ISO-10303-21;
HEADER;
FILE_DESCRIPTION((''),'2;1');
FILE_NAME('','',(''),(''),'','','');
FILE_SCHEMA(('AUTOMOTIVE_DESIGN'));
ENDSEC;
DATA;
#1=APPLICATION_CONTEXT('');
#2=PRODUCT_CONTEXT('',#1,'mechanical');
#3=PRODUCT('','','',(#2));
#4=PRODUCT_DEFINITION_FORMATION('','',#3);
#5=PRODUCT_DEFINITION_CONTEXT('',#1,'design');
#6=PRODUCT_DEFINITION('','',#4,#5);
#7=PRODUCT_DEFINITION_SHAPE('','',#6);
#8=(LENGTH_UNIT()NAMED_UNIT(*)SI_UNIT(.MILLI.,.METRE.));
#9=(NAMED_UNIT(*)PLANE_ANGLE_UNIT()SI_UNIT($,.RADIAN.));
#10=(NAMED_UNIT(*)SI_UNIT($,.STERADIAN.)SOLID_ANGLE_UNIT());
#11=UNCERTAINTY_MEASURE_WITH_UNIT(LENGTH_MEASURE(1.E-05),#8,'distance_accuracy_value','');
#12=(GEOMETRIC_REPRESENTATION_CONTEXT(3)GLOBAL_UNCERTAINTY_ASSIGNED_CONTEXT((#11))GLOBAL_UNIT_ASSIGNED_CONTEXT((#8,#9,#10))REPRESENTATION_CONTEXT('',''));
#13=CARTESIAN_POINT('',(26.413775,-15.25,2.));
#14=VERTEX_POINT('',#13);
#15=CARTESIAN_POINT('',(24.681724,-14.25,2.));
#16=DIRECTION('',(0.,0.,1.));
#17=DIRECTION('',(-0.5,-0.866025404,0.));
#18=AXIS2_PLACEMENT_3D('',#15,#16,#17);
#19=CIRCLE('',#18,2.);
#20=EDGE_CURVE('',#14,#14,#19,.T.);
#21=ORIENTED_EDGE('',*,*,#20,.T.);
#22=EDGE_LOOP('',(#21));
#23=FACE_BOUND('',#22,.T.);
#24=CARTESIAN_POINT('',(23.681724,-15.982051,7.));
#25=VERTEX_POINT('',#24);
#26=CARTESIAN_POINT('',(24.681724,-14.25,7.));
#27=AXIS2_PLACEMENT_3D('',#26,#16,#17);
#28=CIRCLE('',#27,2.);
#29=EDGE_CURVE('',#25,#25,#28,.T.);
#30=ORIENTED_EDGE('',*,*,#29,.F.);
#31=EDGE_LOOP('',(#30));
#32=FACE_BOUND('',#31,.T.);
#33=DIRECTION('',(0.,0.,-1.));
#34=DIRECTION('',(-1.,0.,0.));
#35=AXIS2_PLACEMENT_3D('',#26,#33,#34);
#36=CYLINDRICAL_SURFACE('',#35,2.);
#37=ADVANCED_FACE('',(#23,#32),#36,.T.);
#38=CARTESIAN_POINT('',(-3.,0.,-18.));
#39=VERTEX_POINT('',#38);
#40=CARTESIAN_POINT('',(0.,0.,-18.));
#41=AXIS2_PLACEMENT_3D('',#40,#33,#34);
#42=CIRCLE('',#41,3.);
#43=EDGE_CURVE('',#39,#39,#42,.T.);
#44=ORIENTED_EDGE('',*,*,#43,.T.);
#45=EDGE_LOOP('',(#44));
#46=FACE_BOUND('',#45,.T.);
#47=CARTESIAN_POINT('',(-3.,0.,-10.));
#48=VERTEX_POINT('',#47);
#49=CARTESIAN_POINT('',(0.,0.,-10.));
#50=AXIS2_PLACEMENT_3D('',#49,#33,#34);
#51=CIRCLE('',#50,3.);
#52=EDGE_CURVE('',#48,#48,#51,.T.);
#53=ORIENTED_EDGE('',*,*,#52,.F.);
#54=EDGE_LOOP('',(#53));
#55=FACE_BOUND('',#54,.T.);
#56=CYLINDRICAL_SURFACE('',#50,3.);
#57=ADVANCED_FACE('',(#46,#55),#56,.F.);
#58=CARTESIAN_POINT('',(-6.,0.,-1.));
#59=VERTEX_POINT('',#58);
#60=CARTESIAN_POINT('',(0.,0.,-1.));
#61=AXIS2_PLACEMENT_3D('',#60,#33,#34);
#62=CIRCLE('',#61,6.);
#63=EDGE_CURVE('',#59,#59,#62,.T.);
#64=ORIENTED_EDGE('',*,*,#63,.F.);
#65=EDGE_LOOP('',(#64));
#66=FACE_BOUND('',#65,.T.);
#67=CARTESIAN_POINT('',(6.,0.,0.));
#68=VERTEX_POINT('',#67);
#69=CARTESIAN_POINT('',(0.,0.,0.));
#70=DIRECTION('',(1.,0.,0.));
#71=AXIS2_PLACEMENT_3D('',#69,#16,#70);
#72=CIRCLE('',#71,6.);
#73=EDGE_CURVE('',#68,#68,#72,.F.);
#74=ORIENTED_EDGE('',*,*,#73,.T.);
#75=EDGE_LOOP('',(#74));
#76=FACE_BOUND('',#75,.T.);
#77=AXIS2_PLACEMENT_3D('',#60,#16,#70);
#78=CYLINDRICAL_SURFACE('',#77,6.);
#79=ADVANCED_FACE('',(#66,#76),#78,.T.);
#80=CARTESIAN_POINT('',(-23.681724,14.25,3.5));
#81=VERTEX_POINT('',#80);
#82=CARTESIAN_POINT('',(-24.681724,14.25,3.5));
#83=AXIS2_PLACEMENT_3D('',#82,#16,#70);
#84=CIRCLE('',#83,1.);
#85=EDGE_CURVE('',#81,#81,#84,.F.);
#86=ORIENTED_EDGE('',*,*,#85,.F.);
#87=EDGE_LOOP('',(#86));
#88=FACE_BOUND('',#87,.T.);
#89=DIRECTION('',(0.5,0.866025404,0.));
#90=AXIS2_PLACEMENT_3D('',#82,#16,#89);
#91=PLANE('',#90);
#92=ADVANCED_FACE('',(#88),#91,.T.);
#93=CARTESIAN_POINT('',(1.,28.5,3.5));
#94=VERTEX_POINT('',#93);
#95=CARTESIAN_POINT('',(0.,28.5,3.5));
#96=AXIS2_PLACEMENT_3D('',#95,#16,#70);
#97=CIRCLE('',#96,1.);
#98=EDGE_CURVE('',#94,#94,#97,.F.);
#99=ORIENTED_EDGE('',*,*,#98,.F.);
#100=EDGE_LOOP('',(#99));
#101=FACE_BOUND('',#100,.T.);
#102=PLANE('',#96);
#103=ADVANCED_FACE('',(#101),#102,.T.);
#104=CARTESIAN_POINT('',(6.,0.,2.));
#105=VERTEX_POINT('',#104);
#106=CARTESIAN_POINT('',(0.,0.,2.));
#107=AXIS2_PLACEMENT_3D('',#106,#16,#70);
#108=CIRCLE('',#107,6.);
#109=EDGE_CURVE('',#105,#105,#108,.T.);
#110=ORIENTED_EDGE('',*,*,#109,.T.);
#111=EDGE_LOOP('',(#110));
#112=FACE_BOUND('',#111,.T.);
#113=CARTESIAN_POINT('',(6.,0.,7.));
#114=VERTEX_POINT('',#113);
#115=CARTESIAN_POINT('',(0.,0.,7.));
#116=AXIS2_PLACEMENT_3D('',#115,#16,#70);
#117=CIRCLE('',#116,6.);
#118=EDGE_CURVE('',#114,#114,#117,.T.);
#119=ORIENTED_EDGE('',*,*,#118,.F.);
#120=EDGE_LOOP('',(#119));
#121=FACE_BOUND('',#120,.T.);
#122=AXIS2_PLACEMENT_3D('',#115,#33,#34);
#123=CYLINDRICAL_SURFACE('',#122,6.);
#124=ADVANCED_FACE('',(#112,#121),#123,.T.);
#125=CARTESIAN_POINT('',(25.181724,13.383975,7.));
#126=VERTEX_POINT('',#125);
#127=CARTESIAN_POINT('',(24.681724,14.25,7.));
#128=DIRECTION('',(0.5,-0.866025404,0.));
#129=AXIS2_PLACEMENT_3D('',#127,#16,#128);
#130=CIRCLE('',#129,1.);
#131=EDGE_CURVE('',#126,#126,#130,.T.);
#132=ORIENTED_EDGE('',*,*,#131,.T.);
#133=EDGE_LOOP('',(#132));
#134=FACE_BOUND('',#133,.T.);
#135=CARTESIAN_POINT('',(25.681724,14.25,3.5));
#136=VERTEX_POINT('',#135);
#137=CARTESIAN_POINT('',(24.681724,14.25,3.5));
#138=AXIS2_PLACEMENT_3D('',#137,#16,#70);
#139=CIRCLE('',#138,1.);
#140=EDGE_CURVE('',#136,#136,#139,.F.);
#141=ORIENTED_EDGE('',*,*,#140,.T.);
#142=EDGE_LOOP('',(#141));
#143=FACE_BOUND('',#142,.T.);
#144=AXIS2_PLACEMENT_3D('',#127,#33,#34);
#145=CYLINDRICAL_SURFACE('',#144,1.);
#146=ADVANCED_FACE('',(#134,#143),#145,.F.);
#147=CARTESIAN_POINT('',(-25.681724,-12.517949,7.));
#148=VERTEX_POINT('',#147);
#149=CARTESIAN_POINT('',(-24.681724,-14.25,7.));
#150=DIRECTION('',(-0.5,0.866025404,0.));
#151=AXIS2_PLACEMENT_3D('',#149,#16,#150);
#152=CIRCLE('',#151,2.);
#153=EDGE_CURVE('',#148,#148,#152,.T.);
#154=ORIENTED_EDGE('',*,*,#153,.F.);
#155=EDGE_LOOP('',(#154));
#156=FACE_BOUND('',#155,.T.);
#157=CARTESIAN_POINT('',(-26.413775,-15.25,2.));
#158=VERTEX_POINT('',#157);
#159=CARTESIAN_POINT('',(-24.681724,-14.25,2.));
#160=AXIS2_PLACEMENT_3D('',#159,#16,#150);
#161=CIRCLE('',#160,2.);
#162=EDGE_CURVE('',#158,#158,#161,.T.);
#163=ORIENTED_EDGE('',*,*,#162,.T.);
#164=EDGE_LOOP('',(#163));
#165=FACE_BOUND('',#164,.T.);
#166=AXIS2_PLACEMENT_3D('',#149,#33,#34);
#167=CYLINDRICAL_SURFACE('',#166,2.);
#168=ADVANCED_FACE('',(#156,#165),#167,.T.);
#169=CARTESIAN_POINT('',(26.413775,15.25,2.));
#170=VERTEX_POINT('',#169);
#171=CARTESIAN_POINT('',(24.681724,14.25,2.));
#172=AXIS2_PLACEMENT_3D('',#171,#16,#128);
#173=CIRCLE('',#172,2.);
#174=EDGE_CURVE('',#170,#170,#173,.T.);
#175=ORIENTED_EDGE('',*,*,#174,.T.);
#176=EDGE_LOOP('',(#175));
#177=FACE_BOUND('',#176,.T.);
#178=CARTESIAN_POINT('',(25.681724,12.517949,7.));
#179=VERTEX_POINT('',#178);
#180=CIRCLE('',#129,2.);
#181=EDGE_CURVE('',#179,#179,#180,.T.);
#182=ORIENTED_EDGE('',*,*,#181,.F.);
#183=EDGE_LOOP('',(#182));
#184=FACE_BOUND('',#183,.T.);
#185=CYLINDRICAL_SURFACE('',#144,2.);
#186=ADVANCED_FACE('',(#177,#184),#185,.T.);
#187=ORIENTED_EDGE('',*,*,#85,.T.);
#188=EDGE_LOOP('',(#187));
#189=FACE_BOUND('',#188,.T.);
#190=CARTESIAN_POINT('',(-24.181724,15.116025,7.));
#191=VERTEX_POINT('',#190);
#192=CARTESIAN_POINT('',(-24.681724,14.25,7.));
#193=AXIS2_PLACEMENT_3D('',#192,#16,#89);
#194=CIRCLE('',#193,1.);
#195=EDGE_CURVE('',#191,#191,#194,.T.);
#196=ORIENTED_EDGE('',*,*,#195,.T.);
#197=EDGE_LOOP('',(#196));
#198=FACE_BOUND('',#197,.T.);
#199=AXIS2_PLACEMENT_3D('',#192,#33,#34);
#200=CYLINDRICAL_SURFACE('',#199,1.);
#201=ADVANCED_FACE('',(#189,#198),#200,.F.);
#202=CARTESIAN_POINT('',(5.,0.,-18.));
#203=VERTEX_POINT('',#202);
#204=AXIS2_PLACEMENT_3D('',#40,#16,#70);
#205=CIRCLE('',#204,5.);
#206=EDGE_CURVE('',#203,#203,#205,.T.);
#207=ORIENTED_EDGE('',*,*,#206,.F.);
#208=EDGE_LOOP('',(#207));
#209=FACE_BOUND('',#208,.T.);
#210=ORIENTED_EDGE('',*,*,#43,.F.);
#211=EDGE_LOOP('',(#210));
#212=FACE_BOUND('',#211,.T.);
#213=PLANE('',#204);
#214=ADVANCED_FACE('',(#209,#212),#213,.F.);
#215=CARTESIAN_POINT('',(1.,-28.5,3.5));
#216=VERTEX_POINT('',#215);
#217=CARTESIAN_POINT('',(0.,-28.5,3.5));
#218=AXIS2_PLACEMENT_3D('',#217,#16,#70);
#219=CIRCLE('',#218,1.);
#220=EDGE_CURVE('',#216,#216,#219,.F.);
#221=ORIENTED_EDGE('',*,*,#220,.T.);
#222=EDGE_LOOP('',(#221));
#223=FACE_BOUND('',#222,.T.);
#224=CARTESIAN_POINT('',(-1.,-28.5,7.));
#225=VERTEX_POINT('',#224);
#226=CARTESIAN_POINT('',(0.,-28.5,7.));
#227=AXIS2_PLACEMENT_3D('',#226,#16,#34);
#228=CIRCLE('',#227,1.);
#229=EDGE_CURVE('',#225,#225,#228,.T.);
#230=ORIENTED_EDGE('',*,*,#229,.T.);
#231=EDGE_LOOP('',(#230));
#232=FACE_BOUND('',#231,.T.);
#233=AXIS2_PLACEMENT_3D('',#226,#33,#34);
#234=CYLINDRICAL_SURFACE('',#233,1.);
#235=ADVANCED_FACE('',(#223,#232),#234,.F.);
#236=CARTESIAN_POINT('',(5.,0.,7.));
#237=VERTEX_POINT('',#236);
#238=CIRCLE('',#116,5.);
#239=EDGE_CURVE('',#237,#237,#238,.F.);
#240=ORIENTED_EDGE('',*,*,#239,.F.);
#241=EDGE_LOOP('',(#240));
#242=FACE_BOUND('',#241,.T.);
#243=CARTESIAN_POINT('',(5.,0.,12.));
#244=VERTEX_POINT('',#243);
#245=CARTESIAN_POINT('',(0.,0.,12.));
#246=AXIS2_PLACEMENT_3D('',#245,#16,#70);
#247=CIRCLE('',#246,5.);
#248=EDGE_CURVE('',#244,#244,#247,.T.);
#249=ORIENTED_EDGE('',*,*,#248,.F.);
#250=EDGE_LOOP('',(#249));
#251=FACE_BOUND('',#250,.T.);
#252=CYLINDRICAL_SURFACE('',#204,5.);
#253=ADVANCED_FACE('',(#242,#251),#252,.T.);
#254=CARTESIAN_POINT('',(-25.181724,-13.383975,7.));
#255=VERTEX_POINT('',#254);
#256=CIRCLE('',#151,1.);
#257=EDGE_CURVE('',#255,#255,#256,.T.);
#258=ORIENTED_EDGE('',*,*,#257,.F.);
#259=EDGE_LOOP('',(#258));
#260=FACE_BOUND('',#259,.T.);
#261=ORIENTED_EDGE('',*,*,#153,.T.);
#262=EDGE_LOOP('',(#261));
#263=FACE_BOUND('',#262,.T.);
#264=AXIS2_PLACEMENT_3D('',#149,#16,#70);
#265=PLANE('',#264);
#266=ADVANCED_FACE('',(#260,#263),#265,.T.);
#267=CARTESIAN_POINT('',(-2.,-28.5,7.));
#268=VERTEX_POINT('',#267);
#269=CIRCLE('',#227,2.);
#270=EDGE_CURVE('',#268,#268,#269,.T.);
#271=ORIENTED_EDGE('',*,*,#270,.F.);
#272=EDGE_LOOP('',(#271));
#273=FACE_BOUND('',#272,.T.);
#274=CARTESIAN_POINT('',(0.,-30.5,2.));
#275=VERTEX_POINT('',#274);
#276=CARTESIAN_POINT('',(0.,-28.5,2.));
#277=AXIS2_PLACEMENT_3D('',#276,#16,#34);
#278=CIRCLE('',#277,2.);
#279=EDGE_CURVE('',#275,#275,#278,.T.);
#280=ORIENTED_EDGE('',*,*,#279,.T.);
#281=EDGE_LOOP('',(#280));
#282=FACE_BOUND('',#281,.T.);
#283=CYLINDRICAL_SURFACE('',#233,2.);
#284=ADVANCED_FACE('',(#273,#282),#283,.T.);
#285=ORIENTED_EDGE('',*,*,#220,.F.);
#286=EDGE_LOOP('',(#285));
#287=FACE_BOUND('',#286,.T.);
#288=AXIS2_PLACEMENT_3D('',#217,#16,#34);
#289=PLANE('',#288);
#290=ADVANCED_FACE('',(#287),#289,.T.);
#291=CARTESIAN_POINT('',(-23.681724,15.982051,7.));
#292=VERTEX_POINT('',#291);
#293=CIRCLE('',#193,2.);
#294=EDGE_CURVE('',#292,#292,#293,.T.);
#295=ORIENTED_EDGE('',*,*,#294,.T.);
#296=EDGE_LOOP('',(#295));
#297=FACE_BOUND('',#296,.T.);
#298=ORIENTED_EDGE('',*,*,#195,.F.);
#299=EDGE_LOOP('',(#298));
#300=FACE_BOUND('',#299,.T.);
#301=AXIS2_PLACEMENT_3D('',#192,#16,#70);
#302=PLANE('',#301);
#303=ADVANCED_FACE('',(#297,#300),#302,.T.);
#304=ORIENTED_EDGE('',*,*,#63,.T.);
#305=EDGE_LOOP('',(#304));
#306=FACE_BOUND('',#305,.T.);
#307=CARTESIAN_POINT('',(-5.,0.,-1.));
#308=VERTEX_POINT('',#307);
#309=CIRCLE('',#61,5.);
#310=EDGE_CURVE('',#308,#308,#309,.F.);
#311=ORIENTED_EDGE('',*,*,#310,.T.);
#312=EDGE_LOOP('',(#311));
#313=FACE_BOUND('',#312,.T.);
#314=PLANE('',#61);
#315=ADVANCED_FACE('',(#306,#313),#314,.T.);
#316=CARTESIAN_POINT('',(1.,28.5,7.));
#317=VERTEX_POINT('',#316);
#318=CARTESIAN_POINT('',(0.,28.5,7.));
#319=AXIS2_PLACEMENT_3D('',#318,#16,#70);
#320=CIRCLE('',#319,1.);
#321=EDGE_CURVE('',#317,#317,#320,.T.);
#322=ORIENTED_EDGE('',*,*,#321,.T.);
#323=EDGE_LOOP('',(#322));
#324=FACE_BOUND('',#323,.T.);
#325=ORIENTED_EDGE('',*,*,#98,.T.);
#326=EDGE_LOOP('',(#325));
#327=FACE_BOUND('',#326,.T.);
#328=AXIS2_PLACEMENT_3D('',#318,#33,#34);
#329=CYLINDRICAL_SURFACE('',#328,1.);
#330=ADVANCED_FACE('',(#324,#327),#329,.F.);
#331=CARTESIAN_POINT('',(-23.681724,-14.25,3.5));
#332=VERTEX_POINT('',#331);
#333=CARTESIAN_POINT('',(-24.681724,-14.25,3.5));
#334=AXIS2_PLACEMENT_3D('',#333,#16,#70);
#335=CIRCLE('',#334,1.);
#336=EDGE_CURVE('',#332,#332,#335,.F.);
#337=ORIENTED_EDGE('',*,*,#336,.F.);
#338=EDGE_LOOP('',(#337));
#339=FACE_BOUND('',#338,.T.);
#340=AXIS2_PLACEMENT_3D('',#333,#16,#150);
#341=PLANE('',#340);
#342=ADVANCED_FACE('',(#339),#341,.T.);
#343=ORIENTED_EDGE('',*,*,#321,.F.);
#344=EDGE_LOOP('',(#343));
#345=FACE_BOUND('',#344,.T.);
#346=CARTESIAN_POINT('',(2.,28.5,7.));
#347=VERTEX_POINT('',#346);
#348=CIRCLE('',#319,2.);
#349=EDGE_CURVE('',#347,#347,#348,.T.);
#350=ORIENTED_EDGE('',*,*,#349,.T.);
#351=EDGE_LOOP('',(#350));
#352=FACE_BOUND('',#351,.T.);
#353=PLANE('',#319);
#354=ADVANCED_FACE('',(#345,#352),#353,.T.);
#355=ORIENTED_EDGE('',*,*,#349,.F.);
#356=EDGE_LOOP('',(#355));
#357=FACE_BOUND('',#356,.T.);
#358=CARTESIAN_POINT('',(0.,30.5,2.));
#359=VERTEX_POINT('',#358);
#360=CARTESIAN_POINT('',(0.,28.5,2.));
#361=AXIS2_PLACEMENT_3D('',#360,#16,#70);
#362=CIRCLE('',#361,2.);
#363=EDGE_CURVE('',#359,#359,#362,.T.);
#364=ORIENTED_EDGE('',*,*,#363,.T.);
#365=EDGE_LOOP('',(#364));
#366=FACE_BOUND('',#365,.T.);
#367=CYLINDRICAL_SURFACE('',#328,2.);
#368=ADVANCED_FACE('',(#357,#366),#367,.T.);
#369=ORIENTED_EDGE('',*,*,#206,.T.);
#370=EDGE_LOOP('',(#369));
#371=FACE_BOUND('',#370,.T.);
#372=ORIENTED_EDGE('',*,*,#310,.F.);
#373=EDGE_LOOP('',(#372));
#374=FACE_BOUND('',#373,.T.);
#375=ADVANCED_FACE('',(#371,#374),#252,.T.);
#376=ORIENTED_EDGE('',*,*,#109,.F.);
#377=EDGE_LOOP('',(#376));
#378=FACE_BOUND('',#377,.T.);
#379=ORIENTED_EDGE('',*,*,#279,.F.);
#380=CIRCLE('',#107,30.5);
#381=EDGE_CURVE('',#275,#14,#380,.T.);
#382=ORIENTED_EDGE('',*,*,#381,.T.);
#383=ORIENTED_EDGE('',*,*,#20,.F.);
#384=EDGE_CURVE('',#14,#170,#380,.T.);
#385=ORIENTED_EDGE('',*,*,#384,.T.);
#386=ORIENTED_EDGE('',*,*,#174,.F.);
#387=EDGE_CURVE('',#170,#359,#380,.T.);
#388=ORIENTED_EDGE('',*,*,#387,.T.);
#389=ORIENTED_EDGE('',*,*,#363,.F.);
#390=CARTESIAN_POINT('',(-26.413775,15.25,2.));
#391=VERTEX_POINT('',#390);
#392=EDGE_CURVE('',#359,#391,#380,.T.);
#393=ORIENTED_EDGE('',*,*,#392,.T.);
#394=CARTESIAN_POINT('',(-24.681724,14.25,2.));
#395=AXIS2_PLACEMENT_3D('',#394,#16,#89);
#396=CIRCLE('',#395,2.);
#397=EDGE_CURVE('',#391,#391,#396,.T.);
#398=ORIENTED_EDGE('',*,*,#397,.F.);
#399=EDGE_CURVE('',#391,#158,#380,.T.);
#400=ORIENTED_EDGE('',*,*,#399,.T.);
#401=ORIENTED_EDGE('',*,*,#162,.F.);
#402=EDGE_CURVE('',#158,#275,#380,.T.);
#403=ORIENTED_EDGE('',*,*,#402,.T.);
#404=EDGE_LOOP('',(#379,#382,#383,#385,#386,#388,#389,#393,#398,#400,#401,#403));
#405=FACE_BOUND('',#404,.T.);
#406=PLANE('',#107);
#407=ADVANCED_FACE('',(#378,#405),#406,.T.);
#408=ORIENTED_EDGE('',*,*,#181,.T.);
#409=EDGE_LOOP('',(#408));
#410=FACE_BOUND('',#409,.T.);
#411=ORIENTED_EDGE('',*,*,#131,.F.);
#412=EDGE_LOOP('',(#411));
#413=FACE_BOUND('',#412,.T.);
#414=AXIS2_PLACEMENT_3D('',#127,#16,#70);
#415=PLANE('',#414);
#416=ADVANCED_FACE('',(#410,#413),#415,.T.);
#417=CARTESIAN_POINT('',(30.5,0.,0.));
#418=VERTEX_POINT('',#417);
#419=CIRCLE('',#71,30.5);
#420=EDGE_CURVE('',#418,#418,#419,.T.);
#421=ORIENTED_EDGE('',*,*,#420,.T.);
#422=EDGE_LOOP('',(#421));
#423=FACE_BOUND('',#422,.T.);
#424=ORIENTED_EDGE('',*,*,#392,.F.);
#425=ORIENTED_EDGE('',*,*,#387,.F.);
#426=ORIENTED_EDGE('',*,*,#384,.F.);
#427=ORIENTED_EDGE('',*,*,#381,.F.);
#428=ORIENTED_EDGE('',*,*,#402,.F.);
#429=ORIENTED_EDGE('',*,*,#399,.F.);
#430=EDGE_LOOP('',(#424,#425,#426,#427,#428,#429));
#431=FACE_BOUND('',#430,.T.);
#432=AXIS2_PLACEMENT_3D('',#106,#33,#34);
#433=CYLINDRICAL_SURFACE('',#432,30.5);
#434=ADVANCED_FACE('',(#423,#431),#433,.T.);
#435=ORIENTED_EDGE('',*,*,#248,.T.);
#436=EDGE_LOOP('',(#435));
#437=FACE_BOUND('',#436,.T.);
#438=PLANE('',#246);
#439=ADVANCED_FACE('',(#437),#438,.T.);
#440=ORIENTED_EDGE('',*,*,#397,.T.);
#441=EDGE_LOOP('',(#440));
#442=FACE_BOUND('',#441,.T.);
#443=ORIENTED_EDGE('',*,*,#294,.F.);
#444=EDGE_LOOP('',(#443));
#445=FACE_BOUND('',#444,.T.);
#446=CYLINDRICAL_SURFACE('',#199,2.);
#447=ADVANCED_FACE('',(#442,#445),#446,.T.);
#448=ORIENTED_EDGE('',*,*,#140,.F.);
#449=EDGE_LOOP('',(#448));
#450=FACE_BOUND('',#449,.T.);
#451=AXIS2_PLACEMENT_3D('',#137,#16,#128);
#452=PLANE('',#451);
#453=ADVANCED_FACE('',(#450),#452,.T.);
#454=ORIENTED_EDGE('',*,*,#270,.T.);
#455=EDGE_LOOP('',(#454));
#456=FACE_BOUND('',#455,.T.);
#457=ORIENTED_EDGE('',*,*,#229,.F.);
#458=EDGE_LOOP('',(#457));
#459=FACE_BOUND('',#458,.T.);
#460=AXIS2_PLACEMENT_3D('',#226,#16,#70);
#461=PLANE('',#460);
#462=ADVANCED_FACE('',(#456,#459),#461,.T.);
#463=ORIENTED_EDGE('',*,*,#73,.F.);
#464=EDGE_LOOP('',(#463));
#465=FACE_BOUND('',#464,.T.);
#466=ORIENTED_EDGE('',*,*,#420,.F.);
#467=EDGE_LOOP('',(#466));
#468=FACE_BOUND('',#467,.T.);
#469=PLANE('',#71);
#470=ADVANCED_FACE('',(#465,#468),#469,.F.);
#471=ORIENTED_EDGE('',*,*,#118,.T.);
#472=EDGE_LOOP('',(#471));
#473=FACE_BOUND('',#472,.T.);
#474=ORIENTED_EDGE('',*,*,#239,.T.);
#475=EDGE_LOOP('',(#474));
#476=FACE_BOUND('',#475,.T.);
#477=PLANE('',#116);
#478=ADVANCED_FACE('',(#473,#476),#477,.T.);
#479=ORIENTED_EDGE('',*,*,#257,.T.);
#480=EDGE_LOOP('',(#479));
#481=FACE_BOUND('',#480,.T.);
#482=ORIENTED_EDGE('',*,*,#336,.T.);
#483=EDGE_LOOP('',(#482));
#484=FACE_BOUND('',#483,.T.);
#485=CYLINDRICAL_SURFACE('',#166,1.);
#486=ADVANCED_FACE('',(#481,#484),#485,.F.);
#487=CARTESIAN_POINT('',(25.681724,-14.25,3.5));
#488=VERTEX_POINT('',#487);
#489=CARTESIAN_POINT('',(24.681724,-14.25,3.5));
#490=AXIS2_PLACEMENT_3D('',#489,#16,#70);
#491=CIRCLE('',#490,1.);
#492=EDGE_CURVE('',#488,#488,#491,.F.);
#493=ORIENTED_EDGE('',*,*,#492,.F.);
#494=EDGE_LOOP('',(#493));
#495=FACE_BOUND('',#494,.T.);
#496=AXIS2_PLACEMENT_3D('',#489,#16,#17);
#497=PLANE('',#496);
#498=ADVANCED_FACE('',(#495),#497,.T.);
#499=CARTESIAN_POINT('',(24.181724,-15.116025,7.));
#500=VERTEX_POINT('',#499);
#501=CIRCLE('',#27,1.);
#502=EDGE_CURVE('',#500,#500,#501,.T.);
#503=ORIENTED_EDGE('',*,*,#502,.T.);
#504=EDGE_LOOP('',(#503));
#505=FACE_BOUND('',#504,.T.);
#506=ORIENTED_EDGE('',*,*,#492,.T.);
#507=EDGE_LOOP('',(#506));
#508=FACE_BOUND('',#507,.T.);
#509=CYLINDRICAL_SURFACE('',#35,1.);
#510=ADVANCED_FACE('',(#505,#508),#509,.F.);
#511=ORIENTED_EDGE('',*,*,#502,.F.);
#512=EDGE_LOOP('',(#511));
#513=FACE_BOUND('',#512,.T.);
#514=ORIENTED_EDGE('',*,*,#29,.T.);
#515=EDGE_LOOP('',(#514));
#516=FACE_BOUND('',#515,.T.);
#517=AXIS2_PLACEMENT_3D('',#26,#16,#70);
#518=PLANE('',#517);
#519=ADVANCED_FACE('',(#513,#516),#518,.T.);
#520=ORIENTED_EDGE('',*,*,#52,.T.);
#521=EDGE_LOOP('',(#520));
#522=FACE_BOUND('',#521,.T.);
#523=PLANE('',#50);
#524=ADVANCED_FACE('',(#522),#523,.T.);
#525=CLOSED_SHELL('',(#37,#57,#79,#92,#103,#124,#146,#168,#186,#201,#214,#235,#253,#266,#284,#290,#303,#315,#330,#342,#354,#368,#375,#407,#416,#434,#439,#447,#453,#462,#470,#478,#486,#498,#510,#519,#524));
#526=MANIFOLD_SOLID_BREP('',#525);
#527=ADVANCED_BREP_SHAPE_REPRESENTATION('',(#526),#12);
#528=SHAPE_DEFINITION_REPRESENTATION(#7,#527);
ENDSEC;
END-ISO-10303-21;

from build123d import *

# Parameters (mm, degrees)
SKETCH_1_R               = 30.5
EXTRUDE_1_DEPTH          = 2
SKETCH_2_R               = 1
EXTRUDE_2_DEPTH          = 1.5
PATTERN_CIRCULAR_1_COUNT = 6
EXTRUDE_3_DEPTH          = 10
EXTRUDE_3_DEPTH_BACK     = 20
SKETCH_3_R               = 5
SKETCH_4_R               = 2
SKETCH_4_R_2             = 1
EXTRUDE_1_2_DEPTH        = 5
PATTERN_CIRCULAR_3_COUNT = 6
SKETCH_5_R               = 6
EXTRUDE_5_DEPTH          = 1
EXTRUDE_START            = 5
SKETCH_6_R               = 6
EXTRUDE_6_DEPTH          = 5
SKETCH_7_R               = 3
CUT_EXTRUDE_1_DEPTH      = 8


with BuildPart() as part:
    # 草图1 → Extrude 1 (new body)
    with BuildSketch(Plane.XY):
        Circle(SKETCH_1_R)
    extrude(amount=EXTRUDE_1_DEPTH)

    # 草图2 → 凸台-拉伸2 (add)
    with BuildSketch(Plane.XY.offset(2)):
        with Locations((0, 28.5)):
            Circle(SKETCH_2_R)
    extrude_2 = extrude(amount=EXTRUDE_2_DEPTH)

    # 阵列(圆周)1: 凸台-拉伸2 ×6 about axis
    pattern_circular_1_axis = Axis((0, 0, 0), (0, 0, 1))
    for i in range(1, PATTERN_CIRCULAR_1_COUNT):
        add(extrude_2.rotate(pattern_circular_1_axis, i * 360 / PATTERN_CIRCULAR_1_COUNT))

    # 草图3 → 凸台-拉伸3 (add, two sides: drawn at the far end of the back side and taken through both)
    with BuildSketch(Plane.XY.offset(2).offset(-EXTRUDE_3_DEPTH_BACK)):
        Circle(SKETCH_3_R)
    extrude(amount=EXTRUDE_3_DEPTH + EXTRUDE_3_DEPTH_BACK)

    # 草图4 → Extrude 1 2 (add)
    with BuildSketch(Plane.XY.offset(2)):
        with Locations((0, 28.5)):
            Circle(SKETCH_4_R)
        with Locations((0, 28.5)):
            Circle(SKETCH_4_R_2, mode=Mode.SUBTRACT)
    extrude_1_2 = extrude(amount=EXTRUDE_1_2_DEPTH)

    # 阵列(圆周)3: Extrude 1 2 ×6 about axis
    pattern_circular_3_axis = Axis((0, 0, 0), (0, 0, 1))
    for i in range(1, PATTERN_CIRCULAR_3_COUNT):
        add(extrude_1_2.rotate(pattern_circular_3_axis, i * 360 / PATTERN_CIRCULAR_3_COUNT))

    # 草图5 → 凸台-拉伸5 (add)
    with BuildSketch(Plane(origin=(0, 0, 0), x_dir=(-1, 0, 0), z_dir=(0, 0, -1))):
        with Locations(Location((0, 0, 0), (0, 0, 180))):
            Circle(SKETCH_5_R)
    extrude(amount=EXTRUDE_5_DEPTH)

    # 草图6 → 凸台-拉伸6 (add)
    with BuildSketch(Plane.XY.offset(2).offset(EXTRUDE_START)):
        Circle(SKETCH_6_R)
    extrude(amount=-EXTRUDE_6_DEPTH)

    # 草图7 → 切除-拉伸1 (cut)
    with BuildSketch(Plane(origin=(0, 0, -18), x_dir=(-1, 0, 0), z_dir=(0, 0, -1))):
        Circle(SKETCH_7_R)
    extrude(amount=-CUT_EXTRUDE_1_DEPTH, mode=Mode.SUBTRACT)


solid = part.part
